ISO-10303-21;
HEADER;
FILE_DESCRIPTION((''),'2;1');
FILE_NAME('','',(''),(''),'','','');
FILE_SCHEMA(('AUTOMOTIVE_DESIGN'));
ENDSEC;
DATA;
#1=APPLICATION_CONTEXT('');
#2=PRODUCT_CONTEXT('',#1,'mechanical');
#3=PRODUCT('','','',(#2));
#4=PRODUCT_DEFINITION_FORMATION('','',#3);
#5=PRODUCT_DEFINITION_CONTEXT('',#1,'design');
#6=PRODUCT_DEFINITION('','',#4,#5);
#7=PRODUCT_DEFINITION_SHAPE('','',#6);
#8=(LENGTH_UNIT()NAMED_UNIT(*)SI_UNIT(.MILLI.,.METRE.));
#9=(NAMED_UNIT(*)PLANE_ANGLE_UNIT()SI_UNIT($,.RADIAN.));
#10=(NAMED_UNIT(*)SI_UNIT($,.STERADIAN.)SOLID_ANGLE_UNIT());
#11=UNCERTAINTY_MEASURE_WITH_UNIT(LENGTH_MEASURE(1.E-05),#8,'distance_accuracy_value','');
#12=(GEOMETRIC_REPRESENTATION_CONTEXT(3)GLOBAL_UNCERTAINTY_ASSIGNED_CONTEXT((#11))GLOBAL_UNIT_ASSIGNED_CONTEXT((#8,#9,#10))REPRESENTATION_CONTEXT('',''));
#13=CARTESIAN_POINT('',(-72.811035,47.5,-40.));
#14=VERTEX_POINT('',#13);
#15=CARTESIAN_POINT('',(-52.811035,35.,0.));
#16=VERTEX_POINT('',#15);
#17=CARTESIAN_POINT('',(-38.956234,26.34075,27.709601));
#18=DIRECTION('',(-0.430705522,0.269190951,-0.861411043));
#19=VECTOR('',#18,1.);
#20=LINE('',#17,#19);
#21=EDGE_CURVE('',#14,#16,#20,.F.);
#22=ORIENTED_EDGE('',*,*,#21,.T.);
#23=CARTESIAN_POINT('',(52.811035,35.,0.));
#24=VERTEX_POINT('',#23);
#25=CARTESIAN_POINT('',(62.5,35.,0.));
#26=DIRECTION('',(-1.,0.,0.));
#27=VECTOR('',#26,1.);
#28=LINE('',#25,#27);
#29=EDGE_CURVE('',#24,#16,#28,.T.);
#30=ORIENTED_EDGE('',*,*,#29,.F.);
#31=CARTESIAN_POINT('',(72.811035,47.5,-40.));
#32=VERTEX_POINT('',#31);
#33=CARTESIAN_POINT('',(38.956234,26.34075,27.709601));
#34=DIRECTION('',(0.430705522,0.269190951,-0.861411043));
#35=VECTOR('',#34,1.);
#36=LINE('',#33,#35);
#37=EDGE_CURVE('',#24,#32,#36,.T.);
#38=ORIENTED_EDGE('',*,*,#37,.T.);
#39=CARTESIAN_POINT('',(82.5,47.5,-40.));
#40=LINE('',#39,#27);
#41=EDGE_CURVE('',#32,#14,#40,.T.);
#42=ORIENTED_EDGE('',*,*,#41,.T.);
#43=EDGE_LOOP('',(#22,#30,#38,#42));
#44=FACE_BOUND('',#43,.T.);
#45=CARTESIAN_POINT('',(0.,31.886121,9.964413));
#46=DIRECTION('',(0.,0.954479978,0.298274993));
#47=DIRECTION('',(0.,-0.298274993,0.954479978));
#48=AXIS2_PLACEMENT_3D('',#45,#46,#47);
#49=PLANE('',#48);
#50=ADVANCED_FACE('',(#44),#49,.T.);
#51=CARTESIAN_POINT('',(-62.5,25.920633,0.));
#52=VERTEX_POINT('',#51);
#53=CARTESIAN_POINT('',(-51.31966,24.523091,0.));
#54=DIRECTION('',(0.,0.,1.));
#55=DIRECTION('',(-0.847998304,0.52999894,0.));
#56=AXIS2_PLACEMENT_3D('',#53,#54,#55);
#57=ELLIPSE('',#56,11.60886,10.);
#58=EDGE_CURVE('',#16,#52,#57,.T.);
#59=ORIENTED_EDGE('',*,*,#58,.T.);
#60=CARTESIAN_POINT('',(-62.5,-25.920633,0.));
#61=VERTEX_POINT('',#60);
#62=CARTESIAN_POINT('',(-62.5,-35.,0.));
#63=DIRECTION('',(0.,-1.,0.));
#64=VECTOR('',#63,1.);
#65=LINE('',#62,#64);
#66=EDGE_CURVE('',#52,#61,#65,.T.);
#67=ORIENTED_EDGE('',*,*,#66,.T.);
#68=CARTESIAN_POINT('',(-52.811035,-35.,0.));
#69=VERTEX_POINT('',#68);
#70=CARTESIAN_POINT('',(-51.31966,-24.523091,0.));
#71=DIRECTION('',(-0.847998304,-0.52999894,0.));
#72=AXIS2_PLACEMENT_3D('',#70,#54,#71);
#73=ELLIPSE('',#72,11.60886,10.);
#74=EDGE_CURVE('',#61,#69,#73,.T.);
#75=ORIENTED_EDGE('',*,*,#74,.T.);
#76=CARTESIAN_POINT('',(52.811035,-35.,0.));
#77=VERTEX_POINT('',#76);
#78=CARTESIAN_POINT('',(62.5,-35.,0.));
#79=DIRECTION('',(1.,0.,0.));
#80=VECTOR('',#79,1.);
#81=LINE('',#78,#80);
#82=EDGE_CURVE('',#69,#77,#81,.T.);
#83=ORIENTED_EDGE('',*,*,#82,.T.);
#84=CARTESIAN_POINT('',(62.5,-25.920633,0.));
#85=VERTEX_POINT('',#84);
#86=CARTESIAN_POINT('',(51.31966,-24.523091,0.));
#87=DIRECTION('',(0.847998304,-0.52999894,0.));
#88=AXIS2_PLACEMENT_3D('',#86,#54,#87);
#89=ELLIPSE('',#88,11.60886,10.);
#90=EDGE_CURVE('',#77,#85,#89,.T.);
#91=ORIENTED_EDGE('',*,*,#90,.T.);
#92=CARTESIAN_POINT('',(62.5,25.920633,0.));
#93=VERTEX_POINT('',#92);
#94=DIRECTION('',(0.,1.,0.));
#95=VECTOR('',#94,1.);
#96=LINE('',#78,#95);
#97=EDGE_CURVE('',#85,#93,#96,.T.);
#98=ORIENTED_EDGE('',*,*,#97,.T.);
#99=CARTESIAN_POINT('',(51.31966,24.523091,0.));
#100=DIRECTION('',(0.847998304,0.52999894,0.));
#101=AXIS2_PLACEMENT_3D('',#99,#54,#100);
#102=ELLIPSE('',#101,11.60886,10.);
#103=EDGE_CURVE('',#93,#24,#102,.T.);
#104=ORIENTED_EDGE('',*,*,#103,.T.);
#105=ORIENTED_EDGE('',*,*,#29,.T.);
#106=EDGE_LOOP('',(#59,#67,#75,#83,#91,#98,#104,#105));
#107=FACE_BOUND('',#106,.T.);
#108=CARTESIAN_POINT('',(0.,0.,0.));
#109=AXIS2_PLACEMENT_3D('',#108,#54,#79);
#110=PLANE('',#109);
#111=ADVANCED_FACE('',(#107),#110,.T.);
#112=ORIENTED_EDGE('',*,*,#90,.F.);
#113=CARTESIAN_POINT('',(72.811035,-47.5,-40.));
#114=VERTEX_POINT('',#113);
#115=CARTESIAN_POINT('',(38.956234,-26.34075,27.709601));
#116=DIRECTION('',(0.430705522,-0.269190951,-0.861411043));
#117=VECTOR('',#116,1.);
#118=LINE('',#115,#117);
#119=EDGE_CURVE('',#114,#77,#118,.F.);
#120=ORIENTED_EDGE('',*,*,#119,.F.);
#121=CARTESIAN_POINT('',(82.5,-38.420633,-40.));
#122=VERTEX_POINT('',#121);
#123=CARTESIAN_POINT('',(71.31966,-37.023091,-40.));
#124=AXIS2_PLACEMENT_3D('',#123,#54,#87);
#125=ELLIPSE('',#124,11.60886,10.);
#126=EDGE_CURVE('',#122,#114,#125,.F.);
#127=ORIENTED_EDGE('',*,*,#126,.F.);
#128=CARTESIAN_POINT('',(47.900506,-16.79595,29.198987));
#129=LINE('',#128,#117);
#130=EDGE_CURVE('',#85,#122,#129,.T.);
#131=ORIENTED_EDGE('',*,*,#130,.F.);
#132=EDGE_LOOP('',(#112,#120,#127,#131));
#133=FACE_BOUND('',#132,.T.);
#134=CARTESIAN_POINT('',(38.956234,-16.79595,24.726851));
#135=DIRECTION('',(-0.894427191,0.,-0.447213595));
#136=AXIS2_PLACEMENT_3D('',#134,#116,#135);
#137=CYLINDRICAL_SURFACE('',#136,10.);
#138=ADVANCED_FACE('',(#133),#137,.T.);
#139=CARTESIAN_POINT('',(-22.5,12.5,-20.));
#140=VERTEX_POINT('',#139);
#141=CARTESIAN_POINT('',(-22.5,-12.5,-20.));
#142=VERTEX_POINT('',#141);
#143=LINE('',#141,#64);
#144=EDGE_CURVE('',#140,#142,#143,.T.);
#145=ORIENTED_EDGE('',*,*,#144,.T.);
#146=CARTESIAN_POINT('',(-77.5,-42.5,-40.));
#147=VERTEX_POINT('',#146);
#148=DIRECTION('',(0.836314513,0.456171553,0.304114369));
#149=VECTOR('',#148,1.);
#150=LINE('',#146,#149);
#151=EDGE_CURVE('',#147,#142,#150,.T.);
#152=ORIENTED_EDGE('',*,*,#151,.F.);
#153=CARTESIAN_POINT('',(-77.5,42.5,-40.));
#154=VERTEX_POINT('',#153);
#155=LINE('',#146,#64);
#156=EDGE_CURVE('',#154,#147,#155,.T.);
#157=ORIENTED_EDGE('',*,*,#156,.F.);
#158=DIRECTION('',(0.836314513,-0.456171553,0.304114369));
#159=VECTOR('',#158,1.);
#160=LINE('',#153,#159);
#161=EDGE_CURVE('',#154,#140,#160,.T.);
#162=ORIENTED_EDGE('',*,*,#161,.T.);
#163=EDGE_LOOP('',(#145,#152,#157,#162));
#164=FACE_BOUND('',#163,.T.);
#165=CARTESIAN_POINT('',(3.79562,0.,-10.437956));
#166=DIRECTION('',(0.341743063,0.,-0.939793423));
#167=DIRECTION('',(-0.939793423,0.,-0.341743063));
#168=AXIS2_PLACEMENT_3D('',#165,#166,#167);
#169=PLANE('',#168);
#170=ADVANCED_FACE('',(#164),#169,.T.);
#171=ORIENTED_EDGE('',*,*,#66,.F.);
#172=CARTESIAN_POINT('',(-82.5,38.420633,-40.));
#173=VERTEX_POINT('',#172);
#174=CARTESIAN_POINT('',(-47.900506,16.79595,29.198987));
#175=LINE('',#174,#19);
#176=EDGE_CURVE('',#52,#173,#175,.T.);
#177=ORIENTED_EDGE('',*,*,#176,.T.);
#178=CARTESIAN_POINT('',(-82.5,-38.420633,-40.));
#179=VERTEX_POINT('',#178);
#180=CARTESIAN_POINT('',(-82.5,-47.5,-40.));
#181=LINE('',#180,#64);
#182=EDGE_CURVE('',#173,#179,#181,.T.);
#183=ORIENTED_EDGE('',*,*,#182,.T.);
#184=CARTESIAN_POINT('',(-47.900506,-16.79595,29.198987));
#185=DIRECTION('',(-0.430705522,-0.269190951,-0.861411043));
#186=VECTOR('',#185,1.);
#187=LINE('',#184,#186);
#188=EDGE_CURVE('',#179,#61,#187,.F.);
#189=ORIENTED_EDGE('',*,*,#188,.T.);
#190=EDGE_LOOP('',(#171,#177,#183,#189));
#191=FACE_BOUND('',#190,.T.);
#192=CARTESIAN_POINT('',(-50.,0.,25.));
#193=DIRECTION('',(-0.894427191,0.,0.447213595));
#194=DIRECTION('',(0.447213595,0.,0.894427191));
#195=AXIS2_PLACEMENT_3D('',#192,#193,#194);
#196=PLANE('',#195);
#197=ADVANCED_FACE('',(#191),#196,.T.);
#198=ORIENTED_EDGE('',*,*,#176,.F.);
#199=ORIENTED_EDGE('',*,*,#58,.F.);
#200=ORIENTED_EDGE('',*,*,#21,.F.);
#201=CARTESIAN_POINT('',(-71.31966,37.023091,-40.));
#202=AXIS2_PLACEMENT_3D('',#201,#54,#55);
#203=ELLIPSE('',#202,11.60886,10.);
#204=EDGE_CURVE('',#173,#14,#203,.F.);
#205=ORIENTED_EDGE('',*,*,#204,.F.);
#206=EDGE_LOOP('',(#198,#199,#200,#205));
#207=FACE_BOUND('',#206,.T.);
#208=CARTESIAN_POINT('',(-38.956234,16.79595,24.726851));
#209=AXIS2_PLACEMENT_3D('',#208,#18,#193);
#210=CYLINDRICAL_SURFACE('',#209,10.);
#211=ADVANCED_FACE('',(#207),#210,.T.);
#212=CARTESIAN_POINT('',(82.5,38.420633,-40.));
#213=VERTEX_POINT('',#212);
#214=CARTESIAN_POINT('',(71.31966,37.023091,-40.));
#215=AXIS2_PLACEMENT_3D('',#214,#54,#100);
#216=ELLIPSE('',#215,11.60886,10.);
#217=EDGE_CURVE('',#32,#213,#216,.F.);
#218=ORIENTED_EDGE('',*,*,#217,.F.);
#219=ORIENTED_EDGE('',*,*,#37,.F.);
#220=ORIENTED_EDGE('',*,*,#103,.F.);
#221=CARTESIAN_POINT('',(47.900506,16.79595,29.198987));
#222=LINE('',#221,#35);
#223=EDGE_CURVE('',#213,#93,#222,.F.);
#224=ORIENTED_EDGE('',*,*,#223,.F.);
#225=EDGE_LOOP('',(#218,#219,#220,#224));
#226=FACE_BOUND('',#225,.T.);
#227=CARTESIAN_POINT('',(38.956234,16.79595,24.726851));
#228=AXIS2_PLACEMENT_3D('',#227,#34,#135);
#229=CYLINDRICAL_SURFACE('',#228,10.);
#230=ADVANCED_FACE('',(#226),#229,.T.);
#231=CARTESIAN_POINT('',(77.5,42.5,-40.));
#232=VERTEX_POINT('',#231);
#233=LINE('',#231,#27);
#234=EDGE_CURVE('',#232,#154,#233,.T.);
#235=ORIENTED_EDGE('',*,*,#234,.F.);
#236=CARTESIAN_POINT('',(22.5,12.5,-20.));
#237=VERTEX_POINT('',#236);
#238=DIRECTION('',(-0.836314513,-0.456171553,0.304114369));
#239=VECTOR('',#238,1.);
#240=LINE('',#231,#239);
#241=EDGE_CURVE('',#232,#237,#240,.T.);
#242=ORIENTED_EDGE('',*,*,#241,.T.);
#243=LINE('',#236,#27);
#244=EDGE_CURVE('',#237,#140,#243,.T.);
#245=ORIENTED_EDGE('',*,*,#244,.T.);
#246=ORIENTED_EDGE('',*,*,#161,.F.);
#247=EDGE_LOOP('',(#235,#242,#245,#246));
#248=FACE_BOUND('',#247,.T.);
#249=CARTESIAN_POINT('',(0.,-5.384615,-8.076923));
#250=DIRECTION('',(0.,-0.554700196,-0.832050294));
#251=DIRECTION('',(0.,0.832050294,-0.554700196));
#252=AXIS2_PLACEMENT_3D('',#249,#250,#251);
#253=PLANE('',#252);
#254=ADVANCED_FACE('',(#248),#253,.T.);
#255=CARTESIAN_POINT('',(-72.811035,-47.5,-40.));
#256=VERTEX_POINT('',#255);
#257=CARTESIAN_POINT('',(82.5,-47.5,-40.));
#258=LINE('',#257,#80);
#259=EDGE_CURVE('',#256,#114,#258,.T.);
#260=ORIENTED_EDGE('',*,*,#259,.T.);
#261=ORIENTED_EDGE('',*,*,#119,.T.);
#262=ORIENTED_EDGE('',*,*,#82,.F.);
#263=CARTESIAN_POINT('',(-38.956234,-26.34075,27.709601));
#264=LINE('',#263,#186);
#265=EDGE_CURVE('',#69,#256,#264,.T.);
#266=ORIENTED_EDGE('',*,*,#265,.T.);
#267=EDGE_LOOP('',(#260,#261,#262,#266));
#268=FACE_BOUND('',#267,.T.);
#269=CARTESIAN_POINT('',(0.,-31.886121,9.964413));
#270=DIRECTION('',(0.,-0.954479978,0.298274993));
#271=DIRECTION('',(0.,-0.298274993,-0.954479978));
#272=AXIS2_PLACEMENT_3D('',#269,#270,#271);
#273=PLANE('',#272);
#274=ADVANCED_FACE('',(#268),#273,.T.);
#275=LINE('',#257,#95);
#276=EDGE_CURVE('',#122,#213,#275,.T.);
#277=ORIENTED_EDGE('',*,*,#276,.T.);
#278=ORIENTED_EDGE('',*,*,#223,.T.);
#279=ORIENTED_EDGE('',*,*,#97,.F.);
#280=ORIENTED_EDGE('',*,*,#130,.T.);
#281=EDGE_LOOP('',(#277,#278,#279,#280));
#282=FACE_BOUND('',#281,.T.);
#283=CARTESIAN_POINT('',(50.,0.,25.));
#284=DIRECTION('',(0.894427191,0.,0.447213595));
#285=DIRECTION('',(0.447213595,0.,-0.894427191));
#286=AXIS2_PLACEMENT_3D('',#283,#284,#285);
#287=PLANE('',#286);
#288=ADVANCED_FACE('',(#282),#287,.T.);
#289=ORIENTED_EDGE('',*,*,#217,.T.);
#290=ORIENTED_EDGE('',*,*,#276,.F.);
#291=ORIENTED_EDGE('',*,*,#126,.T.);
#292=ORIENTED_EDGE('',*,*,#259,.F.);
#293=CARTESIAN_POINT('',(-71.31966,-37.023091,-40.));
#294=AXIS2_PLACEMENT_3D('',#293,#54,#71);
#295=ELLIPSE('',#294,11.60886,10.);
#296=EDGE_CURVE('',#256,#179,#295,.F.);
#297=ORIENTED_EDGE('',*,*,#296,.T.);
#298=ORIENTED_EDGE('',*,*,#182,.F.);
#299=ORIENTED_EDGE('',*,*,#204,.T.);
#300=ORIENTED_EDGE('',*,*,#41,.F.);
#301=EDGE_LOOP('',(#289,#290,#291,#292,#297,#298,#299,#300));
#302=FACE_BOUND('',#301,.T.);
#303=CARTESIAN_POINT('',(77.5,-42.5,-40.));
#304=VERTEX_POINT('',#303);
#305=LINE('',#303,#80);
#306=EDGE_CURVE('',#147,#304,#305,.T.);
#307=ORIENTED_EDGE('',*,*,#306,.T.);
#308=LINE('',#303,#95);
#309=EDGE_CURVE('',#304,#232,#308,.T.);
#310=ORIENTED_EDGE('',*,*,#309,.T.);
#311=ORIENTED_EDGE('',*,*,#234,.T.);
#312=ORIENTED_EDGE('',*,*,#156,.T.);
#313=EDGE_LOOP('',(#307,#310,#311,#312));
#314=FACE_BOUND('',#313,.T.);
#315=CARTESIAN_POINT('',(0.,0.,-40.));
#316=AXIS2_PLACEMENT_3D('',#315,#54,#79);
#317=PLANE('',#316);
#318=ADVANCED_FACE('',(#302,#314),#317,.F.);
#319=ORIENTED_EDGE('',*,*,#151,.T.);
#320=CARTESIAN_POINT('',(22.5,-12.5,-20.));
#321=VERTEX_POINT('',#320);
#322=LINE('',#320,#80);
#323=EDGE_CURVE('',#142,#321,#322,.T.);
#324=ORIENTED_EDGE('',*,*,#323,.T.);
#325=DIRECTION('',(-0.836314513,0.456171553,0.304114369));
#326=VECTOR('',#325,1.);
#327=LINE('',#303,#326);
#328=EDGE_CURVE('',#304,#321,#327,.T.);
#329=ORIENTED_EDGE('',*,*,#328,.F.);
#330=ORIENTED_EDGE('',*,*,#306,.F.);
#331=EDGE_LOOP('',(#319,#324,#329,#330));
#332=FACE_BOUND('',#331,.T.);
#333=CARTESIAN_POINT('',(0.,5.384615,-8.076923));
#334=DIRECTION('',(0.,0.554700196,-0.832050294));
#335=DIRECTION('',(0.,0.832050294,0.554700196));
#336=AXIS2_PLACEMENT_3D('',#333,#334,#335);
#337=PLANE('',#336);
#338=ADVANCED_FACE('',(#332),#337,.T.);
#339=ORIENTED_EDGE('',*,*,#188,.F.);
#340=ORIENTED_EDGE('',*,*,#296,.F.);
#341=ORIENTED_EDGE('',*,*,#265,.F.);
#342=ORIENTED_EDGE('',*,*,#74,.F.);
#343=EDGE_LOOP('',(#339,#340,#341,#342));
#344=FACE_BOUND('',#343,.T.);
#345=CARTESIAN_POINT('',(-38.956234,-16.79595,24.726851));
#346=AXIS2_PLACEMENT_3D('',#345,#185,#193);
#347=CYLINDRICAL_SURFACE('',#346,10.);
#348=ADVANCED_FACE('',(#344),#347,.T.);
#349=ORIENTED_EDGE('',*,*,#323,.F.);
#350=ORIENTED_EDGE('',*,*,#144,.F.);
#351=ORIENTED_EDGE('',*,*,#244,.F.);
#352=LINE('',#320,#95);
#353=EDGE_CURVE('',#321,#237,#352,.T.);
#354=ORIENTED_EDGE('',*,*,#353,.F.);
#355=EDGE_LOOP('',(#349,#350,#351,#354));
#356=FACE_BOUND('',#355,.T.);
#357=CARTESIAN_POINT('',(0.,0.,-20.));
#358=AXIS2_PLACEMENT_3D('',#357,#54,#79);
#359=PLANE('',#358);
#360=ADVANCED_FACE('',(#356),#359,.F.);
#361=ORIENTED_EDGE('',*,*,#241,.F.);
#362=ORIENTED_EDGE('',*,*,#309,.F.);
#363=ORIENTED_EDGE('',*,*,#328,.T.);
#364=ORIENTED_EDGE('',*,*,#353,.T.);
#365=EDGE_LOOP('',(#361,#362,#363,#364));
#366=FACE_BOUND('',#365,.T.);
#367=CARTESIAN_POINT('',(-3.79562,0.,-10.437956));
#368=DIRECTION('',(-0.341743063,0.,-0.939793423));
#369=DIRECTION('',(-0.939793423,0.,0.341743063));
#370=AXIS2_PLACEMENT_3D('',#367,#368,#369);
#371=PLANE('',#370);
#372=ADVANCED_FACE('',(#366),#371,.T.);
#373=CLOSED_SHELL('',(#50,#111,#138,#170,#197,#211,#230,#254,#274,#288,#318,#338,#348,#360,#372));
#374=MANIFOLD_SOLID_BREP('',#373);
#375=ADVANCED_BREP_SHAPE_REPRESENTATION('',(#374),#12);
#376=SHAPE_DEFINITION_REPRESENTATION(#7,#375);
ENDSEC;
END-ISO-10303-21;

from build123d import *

# Parameters (mm, degrees)
FILLET1_R = 10


with BuildPart() as part:
    # Sketch3 → Loft1 section 0
    with BuildSketch(Plane.XY):
        with BuildLine():
            Line((62.5, -35), (-62.5, -35))
            Line((-62.5, -35), (-62.5, 35))
            Line((-62.5, 35), (62.5, 35))
            Line((62.5, 35), (62.5, -35))
        make_face()
    # Sketch4 → Loft1 section 1
    with BuildSketch(Plane.XY.offset(-40)):
        with BuildLine():
            Line((82.5, -47.5), (-82.5, -47.5))
            Line((-82.5, -47.5), (-82.5, 47.5))
            Line((-82.5, 47.5), (82.5, 47.5))
            Line((82.5, 47.5), (82.5, -47.5))
        make_face()
    loft()

    # Sketch7 → Cut-Loft2 section 0
    with BuildSketch(Plane.XY.offset(-40)):
        with BuildLine():
            Line((77.5, -42.5), (-77.5, -42.5))
            Line((-77.5, -42.5), (-77.5, 42.5))
            Line((-77.5, 42.5), (77.5, 42.5))
            Line((77.5, 42.5), (77.5, -42.5))
        make_face()
    # Sketch5 → Cut-Loft2 section 1
    with BuildSketch(Plane.XY.offset(-20)):
        with BuildLine():
            Line((22.5, -12.5), (-22.5, -12.5))
            Line((-22.5, -12.5), (-22.5, 12.5))
            Line((-22.5, 12.5), (22.5, 12.5))
            Line((22.5, 12.5), (22.5, -12.5))
        make_face()
    loft(mode=Mode.SUBTRACT)

    # Fillet1
    fillet1_edges = [part.edges().sort_by_distance(p)[0] for p in [
        (-72.5, -41.25, -20),
        (-72.5, 41.25, -20),
        (72.5, -41.25, -20),
        (72.5, 41.25, -20),
    ]]
    fillet(fillet1_edges, radius=FILLET1_R)


solid = part.part
